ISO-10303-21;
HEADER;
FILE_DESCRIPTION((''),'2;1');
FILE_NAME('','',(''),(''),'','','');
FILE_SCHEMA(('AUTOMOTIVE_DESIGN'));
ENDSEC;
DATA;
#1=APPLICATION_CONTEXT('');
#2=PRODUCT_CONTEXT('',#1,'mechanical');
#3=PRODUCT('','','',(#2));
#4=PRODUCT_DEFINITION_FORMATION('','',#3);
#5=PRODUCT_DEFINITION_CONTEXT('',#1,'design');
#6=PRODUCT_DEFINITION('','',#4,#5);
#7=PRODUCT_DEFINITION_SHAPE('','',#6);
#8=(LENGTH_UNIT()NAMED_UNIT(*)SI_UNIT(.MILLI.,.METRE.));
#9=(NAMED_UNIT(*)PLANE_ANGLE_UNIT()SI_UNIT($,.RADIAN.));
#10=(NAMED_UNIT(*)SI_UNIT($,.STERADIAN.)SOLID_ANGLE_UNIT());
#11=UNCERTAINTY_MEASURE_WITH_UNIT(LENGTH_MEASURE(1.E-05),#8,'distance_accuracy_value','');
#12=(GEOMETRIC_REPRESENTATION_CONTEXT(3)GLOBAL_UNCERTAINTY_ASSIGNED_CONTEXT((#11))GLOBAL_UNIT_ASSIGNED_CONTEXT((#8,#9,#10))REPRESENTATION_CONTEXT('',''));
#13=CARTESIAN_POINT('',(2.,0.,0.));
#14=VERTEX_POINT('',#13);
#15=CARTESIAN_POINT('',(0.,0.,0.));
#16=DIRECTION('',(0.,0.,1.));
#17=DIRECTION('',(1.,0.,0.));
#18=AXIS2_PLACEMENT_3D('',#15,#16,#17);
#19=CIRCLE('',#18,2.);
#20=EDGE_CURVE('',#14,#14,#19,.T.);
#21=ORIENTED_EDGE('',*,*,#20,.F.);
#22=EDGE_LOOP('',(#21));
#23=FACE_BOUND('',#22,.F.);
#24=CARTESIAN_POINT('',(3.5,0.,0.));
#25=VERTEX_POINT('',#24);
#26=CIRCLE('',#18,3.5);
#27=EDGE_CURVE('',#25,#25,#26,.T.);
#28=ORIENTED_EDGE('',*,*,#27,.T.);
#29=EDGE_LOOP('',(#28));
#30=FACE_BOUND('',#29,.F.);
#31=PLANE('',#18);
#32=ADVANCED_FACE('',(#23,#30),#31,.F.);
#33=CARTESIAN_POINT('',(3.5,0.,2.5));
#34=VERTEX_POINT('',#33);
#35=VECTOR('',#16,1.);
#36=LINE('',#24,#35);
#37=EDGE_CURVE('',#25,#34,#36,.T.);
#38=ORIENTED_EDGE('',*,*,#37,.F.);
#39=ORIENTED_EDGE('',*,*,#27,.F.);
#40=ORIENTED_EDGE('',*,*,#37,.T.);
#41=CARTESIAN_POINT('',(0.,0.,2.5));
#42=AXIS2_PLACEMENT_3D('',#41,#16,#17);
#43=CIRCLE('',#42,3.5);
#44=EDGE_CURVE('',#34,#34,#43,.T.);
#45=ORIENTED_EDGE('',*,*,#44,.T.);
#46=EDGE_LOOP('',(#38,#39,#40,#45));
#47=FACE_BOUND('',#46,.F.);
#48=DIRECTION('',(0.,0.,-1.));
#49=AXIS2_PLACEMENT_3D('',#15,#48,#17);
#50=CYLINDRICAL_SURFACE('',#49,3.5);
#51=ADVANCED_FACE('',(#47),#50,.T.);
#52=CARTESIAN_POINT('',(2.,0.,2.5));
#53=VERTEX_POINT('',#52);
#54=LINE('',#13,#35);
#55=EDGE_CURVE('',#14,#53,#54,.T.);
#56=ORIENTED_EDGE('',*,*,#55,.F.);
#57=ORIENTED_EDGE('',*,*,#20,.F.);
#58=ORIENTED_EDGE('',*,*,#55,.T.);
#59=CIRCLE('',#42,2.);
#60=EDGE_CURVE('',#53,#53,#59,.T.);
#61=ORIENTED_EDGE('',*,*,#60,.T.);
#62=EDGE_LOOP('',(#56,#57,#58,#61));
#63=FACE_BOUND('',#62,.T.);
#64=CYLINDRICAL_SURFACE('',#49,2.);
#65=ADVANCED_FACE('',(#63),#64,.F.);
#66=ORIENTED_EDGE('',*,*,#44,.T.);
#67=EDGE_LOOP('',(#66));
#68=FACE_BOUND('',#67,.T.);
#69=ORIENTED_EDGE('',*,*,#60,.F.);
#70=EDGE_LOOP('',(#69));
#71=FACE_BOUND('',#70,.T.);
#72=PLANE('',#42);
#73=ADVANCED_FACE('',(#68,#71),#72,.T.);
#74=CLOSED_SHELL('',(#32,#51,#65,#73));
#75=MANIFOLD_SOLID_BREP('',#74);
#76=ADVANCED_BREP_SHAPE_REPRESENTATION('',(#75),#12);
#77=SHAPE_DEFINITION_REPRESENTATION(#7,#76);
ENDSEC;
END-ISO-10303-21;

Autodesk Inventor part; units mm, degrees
ref_plane "YZ Plane" through (0, 0, 0) normal (1, 0, 0) x (0, 1, 0)
ref_plane "XZ Plane" through (0, 0, 0) normal (0, 1, 0) x (-1, 0, 0)
ref_plane "XY Plane" through (0, 0, 0) normal (0, 0, 1) x (1, 0, 0)
sketch "Sketch1" plane through (0, 0, 0) normal (0, 0, 1) x (1, 0, 0)
  circle A0 centre (0, 0) radius 2
  circle A1 centre (0, 0) radius 3.5
  dimension "d0" = 4
  dimension "d1" = 7
extrude "Extrusion1" add sketch "Sketch1" along normal blind 2.5
properties part number "bearing_4_7_2.5"
